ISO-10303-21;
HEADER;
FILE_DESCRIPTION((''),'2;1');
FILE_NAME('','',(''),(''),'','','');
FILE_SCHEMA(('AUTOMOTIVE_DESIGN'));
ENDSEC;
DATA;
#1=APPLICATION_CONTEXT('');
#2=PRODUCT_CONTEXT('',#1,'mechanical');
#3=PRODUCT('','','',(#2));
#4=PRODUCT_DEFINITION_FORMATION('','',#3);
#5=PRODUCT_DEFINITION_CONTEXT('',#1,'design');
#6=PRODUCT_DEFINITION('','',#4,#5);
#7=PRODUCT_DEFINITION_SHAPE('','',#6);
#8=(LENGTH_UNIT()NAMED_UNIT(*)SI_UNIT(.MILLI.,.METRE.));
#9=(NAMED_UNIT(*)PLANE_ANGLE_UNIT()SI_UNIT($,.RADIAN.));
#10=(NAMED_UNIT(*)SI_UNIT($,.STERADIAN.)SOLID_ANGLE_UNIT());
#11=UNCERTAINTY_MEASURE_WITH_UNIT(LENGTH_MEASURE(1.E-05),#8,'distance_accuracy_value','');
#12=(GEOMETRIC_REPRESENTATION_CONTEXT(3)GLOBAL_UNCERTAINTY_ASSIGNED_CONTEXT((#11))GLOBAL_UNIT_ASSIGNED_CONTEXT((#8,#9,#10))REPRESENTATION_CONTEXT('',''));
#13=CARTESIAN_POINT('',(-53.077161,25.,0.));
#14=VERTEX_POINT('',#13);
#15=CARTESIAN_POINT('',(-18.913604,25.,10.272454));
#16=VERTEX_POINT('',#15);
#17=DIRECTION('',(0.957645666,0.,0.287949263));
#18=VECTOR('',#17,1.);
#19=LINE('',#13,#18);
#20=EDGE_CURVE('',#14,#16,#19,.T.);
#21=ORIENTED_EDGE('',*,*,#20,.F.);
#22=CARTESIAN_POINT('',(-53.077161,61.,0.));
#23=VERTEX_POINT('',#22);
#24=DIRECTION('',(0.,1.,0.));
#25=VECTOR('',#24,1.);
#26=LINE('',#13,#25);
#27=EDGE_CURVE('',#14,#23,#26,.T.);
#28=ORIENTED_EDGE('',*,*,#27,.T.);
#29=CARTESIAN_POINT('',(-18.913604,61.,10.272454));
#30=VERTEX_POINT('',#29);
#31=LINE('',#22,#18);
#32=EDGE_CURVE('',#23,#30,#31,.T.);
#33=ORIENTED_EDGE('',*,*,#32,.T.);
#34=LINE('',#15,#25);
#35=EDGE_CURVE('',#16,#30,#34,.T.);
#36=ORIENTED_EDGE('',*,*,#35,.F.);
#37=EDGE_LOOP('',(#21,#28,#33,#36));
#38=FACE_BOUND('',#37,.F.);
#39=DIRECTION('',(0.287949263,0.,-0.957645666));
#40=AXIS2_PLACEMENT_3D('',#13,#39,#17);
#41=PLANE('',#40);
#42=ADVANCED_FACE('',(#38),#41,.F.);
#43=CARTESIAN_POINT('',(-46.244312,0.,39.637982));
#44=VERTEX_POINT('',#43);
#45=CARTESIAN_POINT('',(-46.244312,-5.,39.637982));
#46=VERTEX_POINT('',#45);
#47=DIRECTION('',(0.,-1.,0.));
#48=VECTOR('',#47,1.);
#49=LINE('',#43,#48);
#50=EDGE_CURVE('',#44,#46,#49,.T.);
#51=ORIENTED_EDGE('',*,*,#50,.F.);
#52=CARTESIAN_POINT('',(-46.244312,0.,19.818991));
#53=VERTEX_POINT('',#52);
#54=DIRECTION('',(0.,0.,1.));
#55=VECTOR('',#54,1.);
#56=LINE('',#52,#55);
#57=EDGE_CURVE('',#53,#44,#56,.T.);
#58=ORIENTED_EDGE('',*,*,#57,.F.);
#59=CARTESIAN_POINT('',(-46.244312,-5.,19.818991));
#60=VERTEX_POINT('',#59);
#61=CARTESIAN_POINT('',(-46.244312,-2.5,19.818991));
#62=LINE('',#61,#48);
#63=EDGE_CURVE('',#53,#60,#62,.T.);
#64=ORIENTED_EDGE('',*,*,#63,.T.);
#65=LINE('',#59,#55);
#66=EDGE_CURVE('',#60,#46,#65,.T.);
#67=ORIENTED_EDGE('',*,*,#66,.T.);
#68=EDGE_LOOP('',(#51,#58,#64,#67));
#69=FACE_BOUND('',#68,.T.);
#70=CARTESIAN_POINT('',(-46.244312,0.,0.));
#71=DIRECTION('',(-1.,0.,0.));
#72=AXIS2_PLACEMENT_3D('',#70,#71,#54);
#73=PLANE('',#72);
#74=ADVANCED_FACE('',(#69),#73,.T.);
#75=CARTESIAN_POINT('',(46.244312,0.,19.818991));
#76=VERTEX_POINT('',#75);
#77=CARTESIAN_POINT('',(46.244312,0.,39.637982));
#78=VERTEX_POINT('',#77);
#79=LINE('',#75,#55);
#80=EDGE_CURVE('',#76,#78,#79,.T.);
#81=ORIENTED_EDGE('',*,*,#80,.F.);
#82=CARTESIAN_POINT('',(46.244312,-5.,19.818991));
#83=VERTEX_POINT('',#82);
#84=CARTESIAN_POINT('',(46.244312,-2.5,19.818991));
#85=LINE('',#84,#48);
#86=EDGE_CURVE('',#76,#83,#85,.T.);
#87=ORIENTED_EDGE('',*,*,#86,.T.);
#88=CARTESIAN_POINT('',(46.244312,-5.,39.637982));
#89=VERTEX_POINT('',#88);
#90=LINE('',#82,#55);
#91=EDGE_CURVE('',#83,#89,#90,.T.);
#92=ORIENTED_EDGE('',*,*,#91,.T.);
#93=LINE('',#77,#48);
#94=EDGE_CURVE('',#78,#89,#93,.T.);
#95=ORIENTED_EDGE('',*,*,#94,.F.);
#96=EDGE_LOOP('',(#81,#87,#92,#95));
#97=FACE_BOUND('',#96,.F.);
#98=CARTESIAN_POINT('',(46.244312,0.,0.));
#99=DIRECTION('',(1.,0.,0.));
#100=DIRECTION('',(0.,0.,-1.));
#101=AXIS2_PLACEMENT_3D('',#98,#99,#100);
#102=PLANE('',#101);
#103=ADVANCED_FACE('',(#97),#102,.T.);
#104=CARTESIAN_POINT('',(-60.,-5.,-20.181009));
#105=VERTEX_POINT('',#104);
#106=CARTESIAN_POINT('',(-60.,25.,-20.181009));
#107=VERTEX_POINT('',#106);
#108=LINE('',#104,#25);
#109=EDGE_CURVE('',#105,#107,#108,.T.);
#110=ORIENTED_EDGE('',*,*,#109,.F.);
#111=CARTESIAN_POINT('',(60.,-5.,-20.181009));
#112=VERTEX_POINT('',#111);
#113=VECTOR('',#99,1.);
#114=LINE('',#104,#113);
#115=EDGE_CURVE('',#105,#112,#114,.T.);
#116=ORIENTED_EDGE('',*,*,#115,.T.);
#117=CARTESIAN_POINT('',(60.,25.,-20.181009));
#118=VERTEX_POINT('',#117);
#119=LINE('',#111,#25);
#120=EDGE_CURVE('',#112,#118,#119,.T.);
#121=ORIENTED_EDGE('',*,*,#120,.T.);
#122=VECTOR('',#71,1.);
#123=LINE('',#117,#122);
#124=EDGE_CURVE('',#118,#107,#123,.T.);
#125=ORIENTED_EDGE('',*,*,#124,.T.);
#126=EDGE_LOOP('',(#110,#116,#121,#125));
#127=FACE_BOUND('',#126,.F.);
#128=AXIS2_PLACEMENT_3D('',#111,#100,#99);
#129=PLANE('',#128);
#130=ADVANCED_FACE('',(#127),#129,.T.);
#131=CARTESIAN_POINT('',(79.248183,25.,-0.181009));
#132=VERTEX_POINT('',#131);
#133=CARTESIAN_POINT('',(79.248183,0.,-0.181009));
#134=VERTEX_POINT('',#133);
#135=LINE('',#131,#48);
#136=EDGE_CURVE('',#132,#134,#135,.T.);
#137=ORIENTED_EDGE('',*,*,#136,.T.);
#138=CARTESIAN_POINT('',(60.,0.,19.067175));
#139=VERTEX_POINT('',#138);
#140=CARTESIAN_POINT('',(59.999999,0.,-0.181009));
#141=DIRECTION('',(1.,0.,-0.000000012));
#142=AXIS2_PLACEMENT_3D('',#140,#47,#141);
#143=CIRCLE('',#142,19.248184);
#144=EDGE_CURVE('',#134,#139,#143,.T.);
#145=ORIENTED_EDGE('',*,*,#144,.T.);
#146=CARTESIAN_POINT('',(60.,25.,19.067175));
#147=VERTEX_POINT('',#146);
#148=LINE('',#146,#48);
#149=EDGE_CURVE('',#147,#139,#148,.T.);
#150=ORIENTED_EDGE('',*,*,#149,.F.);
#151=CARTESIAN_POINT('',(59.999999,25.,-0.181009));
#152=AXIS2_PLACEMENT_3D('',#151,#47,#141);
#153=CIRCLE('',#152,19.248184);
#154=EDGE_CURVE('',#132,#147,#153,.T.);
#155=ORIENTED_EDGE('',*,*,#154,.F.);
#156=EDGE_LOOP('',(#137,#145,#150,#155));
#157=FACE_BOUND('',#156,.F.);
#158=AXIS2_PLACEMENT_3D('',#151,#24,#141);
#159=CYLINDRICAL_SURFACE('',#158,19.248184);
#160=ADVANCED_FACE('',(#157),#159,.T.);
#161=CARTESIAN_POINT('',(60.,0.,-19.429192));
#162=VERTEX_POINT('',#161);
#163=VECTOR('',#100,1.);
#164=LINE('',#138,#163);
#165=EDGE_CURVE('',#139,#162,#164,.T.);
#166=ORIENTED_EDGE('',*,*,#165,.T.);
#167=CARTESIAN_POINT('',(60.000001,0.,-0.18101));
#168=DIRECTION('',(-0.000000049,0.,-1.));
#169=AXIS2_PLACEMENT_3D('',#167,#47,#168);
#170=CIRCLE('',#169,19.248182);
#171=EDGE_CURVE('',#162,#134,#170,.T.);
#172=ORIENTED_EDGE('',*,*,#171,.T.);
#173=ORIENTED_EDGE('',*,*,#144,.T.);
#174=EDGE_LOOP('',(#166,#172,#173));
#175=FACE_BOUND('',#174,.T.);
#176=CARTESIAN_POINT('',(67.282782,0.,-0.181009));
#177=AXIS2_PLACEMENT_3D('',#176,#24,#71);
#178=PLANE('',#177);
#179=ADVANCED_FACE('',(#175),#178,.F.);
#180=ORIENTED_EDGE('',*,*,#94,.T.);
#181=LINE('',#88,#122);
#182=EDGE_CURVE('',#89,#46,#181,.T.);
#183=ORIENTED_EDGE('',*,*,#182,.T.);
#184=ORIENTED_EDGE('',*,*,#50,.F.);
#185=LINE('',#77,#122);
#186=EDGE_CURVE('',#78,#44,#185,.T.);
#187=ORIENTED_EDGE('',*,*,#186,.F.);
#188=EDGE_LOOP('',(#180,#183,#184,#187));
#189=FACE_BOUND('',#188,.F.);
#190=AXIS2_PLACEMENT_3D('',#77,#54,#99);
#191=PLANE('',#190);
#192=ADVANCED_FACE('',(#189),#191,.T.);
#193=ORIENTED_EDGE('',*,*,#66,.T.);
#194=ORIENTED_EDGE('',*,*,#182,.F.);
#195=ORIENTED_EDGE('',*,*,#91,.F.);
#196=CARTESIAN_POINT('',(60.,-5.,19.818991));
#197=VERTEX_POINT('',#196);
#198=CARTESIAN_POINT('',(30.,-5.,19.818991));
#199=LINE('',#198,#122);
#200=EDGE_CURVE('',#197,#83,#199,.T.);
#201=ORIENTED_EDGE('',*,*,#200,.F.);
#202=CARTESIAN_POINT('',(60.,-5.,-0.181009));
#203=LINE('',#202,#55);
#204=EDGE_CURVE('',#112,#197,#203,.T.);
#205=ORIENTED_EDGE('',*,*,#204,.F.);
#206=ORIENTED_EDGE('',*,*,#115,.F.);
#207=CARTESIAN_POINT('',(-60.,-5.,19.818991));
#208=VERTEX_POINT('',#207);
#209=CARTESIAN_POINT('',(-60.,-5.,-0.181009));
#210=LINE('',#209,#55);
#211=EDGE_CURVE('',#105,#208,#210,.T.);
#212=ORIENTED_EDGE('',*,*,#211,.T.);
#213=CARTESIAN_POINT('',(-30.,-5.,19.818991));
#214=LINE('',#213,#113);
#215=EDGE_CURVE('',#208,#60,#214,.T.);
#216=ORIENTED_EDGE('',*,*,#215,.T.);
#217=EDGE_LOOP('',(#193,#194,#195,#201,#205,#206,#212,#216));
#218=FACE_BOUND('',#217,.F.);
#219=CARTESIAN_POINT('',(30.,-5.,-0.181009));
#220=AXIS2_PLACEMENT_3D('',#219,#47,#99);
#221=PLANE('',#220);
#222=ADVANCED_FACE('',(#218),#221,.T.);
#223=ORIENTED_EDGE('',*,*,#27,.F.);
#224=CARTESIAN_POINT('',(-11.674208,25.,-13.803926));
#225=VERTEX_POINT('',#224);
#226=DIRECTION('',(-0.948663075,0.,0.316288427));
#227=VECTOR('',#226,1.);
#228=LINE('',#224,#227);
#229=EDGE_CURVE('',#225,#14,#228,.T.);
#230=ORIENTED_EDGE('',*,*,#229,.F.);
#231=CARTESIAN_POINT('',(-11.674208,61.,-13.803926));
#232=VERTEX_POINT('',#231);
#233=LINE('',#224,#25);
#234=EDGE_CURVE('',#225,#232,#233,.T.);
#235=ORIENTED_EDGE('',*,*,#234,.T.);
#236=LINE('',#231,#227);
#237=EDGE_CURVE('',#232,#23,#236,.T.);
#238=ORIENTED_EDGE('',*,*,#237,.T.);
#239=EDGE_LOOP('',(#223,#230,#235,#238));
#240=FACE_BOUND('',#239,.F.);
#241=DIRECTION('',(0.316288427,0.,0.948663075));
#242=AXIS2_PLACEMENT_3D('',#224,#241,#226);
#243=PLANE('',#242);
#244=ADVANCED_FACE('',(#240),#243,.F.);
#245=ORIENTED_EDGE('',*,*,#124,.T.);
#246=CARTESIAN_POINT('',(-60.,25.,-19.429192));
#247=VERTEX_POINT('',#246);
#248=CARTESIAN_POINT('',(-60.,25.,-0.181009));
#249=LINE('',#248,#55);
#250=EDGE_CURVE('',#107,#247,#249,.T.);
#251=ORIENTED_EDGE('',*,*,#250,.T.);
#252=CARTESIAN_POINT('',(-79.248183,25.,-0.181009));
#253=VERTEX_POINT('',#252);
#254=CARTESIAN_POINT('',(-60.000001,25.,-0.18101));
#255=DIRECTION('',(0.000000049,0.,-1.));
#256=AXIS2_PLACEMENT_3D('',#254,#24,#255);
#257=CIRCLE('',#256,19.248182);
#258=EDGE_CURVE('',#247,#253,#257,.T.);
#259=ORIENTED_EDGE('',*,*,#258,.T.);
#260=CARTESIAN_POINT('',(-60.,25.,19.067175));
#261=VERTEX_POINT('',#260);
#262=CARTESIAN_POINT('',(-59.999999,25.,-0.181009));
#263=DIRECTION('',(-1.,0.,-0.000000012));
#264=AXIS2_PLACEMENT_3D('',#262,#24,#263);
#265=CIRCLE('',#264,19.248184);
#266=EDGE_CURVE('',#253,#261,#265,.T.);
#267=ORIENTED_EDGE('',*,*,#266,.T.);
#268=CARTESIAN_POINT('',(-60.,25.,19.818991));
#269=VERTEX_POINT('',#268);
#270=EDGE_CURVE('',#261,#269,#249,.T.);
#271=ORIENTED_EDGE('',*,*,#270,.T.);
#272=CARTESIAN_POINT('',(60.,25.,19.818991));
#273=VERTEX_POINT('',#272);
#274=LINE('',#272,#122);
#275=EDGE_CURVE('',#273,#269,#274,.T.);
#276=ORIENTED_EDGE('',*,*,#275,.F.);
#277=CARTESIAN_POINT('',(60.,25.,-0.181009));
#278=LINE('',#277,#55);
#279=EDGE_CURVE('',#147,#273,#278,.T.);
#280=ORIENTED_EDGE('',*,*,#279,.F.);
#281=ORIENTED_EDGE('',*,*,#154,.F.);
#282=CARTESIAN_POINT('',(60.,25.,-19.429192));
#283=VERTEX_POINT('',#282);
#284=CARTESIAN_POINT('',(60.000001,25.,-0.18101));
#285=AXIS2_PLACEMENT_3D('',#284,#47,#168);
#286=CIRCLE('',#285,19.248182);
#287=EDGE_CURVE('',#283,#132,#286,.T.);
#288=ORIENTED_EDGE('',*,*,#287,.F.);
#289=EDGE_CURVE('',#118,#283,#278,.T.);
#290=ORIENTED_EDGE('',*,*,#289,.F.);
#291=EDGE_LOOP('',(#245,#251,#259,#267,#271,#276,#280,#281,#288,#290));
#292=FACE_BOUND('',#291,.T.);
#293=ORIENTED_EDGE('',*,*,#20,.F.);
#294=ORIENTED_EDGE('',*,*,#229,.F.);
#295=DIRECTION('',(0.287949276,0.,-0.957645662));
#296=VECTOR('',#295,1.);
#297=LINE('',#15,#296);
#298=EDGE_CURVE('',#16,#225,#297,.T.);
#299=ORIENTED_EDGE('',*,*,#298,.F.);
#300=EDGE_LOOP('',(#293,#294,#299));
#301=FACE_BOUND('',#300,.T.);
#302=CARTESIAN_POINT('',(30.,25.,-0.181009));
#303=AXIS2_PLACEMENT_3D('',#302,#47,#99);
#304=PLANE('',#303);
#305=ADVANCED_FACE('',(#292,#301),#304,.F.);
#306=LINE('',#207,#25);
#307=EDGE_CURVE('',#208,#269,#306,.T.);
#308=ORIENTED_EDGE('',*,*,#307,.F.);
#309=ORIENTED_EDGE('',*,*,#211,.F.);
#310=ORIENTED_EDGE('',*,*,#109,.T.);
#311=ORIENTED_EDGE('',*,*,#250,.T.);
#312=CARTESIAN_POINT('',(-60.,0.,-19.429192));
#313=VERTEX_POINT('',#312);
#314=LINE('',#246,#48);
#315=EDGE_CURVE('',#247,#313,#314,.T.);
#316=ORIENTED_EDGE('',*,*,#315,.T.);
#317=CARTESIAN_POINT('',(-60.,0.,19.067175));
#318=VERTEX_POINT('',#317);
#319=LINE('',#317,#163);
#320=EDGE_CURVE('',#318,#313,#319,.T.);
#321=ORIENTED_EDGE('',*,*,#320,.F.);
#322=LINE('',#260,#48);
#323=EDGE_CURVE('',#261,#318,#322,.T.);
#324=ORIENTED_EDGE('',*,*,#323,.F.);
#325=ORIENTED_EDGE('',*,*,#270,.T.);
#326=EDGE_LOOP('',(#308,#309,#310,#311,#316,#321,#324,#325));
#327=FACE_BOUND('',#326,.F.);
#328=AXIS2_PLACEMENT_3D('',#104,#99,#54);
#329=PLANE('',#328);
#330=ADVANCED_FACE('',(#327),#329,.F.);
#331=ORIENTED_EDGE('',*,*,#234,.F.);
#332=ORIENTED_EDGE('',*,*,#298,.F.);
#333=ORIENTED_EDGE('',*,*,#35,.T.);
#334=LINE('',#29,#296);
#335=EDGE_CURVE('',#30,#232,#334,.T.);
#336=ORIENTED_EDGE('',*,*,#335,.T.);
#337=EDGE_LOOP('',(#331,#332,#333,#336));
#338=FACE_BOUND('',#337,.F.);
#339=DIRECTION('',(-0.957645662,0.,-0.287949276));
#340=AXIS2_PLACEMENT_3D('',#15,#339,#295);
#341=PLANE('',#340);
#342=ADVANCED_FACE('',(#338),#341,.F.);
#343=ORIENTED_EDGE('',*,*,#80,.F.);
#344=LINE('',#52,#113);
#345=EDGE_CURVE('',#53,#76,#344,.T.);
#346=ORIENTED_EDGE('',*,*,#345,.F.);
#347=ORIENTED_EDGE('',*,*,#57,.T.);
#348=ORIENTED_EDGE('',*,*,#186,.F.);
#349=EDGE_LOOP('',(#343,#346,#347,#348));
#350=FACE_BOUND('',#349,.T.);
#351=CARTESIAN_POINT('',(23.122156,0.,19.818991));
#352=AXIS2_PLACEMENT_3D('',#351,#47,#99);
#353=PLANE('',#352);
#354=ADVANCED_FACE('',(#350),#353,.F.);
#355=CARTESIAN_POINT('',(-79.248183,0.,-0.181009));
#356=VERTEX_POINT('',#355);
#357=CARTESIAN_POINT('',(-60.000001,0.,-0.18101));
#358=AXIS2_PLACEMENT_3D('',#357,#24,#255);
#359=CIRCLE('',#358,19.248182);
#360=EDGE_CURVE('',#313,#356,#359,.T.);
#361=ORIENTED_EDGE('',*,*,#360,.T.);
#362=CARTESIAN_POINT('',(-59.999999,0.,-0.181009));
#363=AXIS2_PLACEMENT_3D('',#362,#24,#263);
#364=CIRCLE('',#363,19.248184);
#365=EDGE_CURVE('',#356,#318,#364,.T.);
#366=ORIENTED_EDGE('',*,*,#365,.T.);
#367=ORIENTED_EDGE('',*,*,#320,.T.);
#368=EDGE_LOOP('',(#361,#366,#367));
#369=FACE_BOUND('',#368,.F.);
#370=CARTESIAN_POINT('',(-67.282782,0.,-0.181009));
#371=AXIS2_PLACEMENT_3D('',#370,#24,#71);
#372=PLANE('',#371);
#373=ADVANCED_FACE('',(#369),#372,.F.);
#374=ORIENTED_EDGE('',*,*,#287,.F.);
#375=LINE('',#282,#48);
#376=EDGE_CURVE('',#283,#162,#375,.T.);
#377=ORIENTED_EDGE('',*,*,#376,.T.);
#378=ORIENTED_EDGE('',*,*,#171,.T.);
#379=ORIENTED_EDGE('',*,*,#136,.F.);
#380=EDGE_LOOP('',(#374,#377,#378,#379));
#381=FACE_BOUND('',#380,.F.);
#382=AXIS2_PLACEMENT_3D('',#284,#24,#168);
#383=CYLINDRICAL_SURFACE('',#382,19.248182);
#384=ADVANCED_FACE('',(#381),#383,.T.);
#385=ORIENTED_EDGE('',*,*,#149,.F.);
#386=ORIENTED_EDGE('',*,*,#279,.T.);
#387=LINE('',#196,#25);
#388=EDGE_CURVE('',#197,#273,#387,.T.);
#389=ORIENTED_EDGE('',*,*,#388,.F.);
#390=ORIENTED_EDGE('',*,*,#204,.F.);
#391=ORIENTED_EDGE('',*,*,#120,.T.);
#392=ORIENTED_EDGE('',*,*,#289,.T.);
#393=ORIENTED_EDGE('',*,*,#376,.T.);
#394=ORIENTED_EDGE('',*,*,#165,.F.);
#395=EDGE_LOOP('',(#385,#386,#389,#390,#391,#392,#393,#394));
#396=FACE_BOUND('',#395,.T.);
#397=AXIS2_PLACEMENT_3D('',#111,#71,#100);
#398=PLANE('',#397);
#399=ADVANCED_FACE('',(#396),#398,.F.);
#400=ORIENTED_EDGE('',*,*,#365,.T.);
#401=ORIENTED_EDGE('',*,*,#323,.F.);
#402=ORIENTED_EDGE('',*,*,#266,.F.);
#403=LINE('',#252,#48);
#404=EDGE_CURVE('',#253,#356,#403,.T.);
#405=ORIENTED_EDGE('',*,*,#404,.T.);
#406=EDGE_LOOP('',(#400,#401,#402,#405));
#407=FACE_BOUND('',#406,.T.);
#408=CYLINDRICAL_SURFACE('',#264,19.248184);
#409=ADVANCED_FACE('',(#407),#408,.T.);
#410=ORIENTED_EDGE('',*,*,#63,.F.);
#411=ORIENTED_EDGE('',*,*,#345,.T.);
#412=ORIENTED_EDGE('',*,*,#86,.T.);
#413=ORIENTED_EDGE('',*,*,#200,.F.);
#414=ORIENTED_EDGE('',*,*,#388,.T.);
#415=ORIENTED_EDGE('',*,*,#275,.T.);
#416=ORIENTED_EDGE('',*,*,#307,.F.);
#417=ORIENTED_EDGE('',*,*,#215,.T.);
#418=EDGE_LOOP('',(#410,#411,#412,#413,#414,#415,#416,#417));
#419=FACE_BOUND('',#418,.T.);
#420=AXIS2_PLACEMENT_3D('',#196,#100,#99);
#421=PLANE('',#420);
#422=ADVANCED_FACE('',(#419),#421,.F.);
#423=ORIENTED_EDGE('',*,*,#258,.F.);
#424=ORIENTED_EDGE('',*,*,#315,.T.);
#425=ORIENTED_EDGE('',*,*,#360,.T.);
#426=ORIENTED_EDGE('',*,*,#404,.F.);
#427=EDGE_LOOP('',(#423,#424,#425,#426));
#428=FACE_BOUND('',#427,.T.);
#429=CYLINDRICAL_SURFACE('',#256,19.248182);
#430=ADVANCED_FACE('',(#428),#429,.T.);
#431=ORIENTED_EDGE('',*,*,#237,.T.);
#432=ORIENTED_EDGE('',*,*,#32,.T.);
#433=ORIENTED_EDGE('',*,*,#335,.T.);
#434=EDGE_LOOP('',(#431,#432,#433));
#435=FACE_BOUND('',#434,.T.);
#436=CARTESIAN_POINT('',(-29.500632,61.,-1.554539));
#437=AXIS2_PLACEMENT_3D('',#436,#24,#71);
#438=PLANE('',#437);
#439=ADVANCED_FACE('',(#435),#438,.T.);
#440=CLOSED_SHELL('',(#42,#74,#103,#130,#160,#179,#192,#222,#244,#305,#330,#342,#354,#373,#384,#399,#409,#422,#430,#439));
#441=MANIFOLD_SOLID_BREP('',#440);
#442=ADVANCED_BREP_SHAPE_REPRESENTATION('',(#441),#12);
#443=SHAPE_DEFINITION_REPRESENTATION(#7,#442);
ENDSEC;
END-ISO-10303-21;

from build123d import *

# Parameters (mm, degrees)
F0_W     = 46.244312
F0_H     = 39.637983
F1_DEPTH = 5
F2_W     = 60
F2_H     = 40
F3_DEPTH = 30
F5_DEPTH = 25
F8_DEPTH = 36


with BuildPart() as f1:
    # F0 (on Front) → F1 (new body)
    with BuildSketch(Plane.XZ):
        with Locations((-23.122156, 19.818991)):
            Rectangle(F0_W, F0_H)
    extrude(amount=F1_DEPTH)

    # F2 (on face) → F3 (join)
    with BuildSketch(Plane.XZ.offset(5)):
        with Locations((-30, -0.181009)):
            Rectangle(F2_W, F2_H)
    extrude(amount=-F3_DEPTH)

    # F4 (on face) → F5 (join)
    with BuildSketch(Plane(origin=(0, 25, 0), x_dir=(-1, 0, 0), z_dir=(0, 1, 0))):
        with BuildLine():
            ThreePointArc((79.248183, -0.181009), (73.610521, 13.429512), (60, 19.067175))
            Line((60, 19.067175), (60, -19.429192))
            ThreePointArc((60, -19.429192), (73.610521, -13.79153), (79.248183, -0.181009))
        make_face()
    extrude(amount=-F5_DEPTH)

    # F6: F1 across plane


with BuildPart() as f1_1:
    add(f1.part)
    add(f1.part.mirror(Plane.YZ))

    # F7 (on face) → F8 (join)
    with BuildSketch(Plane(origin=(0, 25, 0), x_dir=(-1, 0, 0), z_dir=(0, 1, 0))):
        Polygon((11.674208, -13.803926), (53.077161, 0), (18.913604, 10.272454), align=None)
    extrude(amount=F8_DEPTH)


solid = f1_1.part
